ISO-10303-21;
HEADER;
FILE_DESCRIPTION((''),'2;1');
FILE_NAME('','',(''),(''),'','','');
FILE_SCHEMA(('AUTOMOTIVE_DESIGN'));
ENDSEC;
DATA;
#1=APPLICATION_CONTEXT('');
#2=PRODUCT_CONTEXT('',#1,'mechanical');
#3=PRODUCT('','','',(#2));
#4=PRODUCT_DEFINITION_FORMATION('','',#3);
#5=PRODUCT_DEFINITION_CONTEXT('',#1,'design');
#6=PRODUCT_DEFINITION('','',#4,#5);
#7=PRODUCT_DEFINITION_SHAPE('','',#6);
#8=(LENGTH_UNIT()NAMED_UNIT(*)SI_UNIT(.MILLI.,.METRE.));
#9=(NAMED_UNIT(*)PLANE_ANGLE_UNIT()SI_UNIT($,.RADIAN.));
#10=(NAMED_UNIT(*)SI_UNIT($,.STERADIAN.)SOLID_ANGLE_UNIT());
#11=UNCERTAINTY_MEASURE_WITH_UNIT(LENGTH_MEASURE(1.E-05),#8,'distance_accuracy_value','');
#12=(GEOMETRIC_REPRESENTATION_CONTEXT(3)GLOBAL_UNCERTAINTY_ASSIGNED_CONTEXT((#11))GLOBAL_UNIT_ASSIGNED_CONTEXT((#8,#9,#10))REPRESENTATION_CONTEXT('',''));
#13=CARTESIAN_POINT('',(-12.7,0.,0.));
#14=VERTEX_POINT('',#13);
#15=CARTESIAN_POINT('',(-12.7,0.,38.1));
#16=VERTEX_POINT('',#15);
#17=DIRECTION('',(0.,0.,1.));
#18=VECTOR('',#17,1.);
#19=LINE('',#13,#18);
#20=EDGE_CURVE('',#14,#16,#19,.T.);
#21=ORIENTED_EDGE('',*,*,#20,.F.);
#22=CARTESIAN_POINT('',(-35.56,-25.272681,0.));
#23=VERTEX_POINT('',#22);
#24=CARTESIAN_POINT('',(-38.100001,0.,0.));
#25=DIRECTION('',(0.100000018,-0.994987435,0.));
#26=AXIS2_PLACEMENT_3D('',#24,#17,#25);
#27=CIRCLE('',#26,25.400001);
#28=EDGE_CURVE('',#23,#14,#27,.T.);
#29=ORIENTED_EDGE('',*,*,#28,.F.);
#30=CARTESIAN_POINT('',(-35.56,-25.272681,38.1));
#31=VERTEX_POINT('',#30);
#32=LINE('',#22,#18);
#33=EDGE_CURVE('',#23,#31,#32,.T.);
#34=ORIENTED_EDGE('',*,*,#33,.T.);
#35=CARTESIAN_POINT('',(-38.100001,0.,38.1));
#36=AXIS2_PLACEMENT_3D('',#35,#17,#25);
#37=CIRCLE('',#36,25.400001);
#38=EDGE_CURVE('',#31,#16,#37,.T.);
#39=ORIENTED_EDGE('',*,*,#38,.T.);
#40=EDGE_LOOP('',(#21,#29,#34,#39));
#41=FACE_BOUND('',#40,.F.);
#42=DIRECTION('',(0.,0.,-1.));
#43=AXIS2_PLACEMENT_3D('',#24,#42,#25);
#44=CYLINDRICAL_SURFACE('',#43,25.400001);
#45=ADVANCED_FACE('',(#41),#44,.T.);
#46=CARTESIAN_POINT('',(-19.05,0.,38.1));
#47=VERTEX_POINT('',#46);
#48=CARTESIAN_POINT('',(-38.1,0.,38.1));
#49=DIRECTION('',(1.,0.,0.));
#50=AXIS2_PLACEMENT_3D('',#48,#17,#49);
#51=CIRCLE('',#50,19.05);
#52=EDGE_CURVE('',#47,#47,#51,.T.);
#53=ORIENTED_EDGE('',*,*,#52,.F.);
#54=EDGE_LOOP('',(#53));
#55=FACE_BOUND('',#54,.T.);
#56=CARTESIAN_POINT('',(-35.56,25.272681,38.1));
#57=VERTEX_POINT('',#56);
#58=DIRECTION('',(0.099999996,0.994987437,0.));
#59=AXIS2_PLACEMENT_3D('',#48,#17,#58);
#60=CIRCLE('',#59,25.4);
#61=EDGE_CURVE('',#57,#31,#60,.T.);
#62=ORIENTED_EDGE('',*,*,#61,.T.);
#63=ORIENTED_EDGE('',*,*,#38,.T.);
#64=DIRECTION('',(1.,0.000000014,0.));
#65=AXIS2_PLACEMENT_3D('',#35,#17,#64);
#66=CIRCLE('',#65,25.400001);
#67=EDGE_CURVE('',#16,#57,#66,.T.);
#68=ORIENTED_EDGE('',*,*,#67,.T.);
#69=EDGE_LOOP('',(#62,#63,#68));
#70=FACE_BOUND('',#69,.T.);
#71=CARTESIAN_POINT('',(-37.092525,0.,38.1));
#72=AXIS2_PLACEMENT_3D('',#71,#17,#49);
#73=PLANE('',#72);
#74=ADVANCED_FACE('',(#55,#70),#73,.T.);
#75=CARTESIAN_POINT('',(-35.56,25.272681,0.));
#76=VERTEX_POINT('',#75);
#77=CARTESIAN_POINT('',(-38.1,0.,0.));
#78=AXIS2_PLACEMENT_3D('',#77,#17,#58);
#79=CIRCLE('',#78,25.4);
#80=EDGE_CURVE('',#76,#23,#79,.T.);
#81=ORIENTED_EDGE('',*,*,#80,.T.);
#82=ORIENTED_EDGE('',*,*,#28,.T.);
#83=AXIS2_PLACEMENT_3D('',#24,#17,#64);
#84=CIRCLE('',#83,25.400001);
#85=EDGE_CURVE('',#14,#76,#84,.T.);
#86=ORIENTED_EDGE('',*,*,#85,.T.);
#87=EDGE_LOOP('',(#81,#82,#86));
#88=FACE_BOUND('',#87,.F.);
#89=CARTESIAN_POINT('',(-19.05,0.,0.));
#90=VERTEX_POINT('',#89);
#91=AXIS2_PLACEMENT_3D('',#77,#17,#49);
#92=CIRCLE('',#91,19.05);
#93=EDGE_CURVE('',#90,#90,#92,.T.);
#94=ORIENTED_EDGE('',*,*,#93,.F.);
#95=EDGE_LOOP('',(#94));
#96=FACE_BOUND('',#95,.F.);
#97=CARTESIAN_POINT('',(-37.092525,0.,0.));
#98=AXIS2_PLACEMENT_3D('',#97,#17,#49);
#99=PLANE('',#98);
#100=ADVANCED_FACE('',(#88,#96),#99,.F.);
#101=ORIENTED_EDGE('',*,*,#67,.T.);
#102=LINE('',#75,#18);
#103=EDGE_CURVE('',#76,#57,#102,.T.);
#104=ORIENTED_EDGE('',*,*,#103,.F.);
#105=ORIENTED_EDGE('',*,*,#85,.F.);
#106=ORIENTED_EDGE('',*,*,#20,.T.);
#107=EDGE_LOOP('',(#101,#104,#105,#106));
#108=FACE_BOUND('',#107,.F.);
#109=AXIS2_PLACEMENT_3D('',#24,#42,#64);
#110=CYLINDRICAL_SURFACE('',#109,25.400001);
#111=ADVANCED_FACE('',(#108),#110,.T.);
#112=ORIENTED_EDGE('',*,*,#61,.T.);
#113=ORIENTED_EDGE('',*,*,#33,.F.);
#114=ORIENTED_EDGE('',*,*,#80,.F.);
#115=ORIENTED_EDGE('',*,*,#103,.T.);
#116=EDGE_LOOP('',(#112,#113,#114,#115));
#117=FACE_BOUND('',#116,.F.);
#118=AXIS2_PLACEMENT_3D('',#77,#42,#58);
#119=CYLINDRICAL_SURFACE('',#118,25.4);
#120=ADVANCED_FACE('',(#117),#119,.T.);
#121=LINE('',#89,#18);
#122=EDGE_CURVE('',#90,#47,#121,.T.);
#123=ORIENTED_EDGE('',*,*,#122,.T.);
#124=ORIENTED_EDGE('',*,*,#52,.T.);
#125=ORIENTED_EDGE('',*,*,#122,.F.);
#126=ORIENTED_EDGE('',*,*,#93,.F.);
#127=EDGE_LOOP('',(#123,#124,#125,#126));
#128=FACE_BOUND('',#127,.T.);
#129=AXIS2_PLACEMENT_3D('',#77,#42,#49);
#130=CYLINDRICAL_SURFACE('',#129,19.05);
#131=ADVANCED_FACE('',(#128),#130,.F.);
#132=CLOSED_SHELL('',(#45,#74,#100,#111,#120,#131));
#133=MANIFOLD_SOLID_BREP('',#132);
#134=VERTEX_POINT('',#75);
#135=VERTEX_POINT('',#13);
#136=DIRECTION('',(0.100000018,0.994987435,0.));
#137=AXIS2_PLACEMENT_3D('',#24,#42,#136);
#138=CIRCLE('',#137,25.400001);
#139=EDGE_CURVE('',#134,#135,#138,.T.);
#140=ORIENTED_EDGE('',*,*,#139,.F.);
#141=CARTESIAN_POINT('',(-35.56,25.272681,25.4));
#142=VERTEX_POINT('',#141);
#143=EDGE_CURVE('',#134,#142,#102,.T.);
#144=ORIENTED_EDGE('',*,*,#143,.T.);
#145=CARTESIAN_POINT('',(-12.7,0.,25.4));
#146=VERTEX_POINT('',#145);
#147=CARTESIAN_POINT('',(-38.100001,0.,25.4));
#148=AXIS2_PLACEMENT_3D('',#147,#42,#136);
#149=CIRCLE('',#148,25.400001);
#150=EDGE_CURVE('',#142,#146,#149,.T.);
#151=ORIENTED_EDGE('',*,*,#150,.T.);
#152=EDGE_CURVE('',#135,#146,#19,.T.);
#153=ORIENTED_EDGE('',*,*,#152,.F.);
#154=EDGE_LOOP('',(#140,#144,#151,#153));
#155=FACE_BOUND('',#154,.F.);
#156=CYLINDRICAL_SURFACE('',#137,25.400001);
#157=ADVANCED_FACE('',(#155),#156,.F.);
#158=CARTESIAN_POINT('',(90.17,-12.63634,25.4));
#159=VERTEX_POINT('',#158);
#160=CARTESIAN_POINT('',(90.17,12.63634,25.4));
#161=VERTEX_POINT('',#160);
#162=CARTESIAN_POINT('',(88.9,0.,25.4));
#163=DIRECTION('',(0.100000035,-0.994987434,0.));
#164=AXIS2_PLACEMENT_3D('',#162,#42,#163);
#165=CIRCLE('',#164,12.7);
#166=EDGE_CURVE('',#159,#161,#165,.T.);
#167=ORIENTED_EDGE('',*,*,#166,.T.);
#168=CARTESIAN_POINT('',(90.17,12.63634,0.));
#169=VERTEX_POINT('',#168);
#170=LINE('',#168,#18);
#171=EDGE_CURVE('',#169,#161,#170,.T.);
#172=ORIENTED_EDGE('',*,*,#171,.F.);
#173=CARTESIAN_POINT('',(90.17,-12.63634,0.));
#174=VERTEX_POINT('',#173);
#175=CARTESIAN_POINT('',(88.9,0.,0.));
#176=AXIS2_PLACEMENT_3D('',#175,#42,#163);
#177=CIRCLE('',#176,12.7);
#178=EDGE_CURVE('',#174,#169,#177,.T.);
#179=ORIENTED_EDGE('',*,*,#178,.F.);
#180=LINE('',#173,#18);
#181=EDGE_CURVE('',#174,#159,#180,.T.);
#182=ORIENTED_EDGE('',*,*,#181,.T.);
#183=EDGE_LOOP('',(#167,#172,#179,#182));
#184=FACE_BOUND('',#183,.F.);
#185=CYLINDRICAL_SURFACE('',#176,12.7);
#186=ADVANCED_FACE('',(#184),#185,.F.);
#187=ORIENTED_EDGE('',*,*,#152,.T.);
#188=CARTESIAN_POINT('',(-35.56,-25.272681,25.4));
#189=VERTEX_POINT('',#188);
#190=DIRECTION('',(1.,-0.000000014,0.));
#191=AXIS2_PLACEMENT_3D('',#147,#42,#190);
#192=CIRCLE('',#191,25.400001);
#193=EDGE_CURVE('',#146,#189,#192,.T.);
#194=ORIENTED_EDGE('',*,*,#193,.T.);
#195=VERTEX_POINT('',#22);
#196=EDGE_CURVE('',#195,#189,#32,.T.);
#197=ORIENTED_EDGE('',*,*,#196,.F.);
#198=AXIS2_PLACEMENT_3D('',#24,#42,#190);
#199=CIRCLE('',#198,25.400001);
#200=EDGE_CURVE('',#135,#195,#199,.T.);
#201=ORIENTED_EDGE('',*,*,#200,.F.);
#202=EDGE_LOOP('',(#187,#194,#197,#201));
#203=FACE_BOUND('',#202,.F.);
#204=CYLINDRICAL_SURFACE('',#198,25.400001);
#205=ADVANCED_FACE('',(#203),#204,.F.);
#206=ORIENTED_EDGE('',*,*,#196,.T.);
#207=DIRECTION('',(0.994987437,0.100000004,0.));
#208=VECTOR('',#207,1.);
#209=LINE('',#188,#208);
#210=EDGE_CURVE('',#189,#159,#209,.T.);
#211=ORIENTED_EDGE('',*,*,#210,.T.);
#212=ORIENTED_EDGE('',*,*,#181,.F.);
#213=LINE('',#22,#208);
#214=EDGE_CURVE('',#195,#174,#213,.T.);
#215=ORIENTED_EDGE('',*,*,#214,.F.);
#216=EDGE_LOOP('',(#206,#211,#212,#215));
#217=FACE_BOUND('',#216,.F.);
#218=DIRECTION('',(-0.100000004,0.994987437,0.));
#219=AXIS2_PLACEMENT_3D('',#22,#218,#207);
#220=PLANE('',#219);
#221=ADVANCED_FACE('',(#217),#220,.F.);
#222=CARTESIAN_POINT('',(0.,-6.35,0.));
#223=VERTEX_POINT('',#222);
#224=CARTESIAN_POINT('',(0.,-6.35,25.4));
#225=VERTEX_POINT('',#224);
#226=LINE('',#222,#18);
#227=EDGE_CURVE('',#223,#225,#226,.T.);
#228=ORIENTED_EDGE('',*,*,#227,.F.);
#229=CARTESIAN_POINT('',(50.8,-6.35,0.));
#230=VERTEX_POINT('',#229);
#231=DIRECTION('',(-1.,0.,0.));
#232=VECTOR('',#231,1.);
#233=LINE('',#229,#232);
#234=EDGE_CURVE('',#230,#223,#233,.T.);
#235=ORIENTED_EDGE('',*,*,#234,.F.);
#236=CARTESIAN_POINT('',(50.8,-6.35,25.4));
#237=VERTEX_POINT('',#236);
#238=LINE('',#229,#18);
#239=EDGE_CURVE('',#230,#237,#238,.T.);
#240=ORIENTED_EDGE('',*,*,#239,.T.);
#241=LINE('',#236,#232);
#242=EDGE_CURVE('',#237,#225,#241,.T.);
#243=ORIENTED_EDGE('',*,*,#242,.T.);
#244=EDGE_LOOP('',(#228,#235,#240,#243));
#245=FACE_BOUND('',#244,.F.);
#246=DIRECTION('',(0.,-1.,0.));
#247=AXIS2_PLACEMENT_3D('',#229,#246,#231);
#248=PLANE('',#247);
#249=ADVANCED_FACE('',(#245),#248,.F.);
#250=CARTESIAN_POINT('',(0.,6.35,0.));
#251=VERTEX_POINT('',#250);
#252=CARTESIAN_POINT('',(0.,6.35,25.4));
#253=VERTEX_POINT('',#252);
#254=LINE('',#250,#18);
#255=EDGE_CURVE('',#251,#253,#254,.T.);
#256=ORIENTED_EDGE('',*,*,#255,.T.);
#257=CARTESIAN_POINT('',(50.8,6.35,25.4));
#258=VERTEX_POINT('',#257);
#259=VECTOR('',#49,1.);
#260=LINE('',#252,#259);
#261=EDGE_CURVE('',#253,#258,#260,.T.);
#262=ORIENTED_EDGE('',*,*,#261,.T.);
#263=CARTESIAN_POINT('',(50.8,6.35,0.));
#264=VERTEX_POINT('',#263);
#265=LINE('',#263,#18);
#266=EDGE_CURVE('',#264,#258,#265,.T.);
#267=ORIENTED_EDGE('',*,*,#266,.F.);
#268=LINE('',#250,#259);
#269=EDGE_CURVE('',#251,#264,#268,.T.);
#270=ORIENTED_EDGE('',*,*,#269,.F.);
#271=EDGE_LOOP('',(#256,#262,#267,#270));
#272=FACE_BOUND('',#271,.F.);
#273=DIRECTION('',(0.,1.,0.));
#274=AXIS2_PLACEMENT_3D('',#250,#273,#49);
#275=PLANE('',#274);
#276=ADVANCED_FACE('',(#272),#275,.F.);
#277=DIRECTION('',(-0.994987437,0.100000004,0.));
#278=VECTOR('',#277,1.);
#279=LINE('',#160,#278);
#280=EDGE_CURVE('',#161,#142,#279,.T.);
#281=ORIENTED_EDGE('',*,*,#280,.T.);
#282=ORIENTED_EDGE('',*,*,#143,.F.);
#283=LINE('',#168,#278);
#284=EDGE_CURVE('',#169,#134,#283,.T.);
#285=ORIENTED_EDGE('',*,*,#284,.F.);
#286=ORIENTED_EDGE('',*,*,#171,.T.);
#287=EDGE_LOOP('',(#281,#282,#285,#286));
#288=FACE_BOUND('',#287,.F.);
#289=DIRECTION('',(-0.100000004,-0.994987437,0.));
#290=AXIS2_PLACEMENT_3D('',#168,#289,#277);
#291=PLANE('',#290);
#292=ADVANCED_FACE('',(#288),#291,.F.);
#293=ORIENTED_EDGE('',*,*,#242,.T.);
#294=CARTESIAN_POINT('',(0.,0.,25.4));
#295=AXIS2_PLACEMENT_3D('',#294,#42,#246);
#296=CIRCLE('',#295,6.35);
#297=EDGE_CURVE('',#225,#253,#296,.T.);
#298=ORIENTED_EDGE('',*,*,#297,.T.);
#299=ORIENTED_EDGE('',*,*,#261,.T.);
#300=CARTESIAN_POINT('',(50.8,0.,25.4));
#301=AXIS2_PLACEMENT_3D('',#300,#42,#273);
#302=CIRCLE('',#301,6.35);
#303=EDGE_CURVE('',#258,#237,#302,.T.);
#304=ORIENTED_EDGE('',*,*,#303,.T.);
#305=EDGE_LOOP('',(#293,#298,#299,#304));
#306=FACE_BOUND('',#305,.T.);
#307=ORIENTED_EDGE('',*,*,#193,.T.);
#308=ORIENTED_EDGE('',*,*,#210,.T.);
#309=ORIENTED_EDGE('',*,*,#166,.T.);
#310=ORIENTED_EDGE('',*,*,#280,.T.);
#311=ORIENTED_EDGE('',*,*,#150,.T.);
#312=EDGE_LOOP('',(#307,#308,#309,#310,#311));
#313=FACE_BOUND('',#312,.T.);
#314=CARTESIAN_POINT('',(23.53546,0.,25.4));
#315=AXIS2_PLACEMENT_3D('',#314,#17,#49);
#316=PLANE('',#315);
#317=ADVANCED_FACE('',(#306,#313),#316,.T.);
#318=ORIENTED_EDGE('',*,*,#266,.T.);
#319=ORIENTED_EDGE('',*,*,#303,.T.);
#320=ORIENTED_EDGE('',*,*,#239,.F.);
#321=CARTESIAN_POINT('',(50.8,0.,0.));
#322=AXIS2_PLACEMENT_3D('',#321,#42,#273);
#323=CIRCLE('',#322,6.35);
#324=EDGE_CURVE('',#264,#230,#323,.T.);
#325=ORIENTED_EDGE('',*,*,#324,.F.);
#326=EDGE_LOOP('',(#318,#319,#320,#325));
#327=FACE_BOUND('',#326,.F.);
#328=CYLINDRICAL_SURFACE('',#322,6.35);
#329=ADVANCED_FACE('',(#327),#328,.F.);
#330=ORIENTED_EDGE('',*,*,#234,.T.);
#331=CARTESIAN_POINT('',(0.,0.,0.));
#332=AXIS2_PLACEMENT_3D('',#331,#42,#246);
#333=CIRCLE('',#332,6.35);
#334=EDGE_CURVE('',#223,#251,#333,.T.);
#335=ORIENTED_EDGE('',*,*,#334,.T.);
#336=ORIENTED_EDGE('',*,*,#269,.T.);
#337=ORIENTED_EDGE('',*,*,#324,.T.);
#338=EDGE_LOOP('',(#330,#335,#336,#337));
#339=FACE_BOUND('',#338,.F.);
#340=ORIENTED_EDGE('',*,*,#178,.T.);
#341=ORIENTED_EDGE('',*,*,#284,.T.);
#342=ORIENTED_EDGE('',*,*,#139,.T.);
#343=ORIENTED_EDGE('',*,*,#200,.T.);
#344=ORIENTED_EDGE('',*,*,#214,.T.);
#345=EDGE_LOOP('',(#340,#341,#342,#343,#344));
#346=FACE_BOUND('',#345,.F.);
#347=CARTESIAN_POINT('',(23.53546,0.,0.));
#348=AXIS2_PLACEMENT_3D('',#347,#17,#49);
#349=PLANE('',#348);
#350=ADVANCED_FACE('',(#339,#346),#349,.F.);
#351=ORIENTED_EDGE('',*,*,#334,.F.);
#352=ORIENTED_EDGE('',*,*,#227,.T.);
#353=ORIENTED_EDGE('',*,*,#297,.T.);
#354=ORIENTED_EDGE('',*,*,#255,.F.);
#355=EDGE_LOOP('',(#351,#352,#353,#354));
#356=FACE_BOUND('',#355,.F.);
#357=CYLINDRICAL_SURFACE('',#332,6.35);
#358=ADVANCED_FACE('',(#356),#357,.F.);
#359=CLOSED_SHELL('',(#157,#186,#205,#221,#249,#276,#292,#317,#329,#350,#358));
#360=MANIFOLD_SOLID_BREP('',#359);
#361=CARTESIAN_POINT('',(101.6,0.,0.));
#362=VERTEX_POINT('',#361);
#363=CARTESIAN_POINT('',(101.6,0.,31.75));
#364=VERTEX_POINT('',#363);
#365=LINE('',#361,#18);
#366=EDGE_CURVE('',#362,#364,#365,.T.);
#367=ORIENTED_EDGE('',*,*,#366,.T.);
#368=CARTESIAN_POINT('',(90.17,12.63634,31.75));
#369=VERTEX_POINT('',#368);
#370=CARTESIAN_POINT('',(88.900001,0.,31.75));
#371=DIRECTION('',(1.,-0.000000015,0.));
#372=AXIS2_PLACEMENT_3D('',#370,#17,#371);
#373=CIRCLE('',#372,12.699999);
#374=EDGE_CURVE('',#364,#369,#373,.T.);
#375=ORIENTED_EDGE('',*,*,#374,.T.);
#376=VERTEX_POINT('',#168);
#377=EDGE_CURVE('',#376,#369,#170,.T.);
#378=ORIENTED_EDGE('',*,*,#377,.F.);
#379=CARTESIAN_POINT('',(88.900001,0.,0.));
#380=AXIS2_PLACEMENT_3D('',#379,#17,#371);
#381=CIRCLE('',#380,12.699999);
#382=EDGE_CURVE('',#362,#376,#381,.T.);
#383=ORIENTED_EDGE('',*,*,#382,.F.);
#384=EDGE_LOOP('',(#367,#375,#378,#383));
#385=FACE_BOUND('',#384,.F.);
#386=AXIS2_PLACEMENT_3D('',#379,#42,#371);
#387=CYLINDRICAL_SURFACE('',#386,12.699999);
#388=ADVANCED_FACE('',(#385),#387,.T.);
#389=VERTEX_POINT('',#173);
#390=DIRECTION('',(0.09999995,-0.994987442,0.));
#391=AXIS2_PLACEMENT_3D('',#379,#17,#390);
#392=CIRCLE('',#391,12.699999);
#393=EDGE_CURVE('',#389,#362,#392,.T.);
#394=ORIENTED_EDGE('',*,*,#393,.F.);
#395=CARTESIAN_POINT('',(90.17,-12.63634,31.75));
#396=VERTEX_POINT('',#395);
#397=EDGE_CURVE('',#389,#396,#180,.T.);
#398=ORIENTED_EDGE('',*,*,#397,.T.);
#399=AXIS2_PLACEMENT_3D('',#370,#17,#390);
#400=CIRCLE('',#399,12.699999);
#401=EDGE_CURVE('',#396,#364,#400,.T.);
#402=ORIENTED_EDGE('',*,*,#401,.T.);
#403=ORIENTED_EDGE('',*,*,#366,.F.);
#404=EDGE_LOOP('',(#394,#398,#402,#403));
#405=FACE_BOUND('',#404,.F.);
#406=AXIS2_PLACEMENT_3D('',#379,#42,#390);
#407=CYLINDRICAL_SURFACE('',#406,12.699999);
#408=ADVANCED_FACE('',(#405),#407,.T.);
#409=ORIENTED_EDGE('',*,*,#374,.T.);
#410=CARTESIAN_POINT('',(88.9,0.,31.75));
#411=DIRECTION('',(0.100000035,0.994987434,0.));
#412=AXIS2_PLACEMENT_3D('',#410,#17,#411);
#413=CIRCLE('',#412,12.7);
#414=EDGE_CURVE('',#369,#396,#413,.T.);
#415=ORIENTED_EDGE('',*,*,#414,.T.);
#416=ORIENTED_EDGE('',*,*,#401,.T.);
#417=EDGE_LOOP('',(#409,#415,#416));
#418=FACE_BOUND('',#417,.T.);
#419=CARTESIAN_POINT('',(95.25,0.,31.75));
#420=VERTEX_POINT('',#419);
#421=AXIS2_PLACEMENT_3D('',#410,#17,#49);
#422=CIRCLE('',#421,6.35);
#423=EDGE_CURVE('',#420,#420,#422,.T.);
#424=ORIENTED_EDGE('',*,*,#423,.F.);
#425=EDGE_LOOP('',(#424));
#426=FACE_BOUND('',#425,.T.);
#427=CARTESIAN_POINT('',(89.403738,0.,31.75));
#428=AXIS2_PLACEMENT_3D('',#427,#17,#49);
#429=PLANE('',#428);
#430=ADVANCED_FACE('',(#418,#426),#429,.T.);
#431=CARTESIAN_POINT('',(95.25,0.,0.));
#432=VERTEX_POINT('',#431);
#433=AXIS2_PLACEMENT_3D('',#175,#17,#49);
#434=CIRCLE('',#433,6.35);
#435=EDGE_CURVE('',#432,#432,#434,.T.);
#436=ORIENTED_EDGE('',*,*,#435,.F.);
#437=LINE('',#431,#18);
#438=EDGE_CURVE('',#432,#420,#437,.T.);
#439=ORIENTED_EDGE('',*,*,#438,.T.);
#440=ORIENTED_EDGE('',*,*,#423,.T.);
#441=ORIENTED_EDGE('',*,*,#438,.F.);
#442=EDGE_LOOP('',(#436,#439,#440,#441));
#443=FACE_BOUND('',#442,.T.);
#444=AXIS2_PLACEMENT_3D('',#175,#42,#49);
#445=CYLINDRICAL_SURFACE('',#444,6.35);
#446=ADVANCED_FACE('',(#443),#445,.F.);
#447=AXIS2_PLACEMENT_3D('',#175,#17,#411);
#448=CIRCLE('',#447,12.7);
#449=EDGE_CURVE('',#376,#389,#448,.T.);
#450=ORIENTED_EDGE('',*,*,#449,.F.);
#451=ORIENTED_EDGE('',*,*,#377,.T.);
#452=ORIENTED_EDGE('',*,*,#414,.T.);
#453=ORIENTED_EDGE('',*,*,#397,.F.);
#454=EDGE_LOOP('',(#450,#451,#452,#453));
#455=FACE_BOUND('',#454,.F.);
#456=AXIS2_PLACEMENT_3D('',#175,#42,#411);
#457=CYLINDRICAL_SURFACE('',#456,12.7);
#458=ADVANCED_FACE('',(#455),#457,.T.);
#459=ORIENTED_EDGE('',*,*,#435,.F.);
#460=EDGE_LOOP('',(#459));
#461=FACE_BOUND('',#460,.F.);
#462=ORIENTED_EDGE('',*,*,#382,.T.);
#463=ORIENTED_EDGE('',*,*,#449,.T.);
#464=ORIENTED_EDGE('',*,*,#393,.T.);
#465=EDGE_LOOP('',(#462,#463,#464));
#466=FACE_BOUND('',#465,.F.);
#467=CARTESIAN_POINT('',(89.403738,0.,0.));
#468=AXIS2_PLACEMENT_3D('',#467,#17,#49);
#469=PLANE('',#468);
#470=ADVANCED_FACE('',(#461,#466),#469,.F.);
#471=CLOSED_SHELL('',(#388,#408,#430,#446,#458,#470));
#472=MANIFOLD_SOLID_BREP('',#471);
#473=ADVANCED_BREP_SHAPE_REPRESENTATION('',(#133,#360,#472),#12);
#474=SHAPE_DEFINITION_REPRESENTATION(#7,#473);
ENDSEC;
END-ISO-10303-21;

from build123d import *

# Parameters (mm, degrees)
F0_R     = 19.05
F1_DEPTH = 38.1
F0_R_2   = 6.35
F2_DEPTH = 31.75
F3_DEPTH = 25.4


with BuildPart() as f1:
    # F0 (on Top) → F1 (new body)
    with BuildSketch(Plane.XY):
        with BuildLine():
            ThreePointArc((-35.56, -25.272681), (-19.262856, -17.038838), (-12.7, 0))
            ThreePointArc((-12.7, 0), (-19.262856, 17.038838), (-35.56, 25.272681))
            ThreePointArc((-35.56, 25.272681), (-63.5, 0), (-35.56, -25.272681))
        make_face()
        with Locations((-38.1, 0)):
            Circle(F0_R, mode=Mode.SUBTRACT)
    extrude(amount=F1_DEPTH)


with BuildPart() as f2:
    # F0 (on Top) → F2 (new body)
    with BuildSketch(Plane.XY):
        with BuildLine():
            ThreePointArc((101.6, 0), (98.318572, 8.519419), (90.17, 12.63634))
            ThreePointArc((90.17, 12.63634), (76.2, 0), (90.17, -12.63634))
            ThreePointArc((90.17, -12.63634), (98.318572, -8.519419), (101.6, 0))
        make_face()
        with Locations((88.9, 0)):
            Circle(F0_R_2, mode=Mode.SUBTRACT)
    extrude(amount=F2_DEPTH)


with BuildPart() as f3:
    # F0 (on Top) → F3 (new body)
    with BuildSketch(Plane.XY):
        with BuildLine():
            ThreePointArc((-35.56, 25.272681), (-19.262856, 17.038838), (-12.7, 0))
            ThreePointArc((-12.7, 0), (-19.262856, -17.038838), (-35.56, -25.272681))
            Line((-35.56, -25.272681), (90.17, -12.63634))
            ThreePointArc((90.17, -12.63634), (76.2, 0), (90.17, 12.63634))
            Line((90.17, 12.63634), (-35.56, 25.272681))
        make_face()
        with BuildLine():
            ThreePointArc((0, -6.35), (-6.35, 0), (0, 6.35))
            Line((0, 6.35), (50.8, 6.35))
            ThreePointArc((50.8, 6.35), (57.15, 0), (50.8, -6.35))
            Line((50.8, -6.35), (0, -6.35))
        make_face(mode=Mode.SUBTRACT)
    extrude(amount=F3_DEPTH)


solid = Compound([f1.part, f2.part, f3.part])
